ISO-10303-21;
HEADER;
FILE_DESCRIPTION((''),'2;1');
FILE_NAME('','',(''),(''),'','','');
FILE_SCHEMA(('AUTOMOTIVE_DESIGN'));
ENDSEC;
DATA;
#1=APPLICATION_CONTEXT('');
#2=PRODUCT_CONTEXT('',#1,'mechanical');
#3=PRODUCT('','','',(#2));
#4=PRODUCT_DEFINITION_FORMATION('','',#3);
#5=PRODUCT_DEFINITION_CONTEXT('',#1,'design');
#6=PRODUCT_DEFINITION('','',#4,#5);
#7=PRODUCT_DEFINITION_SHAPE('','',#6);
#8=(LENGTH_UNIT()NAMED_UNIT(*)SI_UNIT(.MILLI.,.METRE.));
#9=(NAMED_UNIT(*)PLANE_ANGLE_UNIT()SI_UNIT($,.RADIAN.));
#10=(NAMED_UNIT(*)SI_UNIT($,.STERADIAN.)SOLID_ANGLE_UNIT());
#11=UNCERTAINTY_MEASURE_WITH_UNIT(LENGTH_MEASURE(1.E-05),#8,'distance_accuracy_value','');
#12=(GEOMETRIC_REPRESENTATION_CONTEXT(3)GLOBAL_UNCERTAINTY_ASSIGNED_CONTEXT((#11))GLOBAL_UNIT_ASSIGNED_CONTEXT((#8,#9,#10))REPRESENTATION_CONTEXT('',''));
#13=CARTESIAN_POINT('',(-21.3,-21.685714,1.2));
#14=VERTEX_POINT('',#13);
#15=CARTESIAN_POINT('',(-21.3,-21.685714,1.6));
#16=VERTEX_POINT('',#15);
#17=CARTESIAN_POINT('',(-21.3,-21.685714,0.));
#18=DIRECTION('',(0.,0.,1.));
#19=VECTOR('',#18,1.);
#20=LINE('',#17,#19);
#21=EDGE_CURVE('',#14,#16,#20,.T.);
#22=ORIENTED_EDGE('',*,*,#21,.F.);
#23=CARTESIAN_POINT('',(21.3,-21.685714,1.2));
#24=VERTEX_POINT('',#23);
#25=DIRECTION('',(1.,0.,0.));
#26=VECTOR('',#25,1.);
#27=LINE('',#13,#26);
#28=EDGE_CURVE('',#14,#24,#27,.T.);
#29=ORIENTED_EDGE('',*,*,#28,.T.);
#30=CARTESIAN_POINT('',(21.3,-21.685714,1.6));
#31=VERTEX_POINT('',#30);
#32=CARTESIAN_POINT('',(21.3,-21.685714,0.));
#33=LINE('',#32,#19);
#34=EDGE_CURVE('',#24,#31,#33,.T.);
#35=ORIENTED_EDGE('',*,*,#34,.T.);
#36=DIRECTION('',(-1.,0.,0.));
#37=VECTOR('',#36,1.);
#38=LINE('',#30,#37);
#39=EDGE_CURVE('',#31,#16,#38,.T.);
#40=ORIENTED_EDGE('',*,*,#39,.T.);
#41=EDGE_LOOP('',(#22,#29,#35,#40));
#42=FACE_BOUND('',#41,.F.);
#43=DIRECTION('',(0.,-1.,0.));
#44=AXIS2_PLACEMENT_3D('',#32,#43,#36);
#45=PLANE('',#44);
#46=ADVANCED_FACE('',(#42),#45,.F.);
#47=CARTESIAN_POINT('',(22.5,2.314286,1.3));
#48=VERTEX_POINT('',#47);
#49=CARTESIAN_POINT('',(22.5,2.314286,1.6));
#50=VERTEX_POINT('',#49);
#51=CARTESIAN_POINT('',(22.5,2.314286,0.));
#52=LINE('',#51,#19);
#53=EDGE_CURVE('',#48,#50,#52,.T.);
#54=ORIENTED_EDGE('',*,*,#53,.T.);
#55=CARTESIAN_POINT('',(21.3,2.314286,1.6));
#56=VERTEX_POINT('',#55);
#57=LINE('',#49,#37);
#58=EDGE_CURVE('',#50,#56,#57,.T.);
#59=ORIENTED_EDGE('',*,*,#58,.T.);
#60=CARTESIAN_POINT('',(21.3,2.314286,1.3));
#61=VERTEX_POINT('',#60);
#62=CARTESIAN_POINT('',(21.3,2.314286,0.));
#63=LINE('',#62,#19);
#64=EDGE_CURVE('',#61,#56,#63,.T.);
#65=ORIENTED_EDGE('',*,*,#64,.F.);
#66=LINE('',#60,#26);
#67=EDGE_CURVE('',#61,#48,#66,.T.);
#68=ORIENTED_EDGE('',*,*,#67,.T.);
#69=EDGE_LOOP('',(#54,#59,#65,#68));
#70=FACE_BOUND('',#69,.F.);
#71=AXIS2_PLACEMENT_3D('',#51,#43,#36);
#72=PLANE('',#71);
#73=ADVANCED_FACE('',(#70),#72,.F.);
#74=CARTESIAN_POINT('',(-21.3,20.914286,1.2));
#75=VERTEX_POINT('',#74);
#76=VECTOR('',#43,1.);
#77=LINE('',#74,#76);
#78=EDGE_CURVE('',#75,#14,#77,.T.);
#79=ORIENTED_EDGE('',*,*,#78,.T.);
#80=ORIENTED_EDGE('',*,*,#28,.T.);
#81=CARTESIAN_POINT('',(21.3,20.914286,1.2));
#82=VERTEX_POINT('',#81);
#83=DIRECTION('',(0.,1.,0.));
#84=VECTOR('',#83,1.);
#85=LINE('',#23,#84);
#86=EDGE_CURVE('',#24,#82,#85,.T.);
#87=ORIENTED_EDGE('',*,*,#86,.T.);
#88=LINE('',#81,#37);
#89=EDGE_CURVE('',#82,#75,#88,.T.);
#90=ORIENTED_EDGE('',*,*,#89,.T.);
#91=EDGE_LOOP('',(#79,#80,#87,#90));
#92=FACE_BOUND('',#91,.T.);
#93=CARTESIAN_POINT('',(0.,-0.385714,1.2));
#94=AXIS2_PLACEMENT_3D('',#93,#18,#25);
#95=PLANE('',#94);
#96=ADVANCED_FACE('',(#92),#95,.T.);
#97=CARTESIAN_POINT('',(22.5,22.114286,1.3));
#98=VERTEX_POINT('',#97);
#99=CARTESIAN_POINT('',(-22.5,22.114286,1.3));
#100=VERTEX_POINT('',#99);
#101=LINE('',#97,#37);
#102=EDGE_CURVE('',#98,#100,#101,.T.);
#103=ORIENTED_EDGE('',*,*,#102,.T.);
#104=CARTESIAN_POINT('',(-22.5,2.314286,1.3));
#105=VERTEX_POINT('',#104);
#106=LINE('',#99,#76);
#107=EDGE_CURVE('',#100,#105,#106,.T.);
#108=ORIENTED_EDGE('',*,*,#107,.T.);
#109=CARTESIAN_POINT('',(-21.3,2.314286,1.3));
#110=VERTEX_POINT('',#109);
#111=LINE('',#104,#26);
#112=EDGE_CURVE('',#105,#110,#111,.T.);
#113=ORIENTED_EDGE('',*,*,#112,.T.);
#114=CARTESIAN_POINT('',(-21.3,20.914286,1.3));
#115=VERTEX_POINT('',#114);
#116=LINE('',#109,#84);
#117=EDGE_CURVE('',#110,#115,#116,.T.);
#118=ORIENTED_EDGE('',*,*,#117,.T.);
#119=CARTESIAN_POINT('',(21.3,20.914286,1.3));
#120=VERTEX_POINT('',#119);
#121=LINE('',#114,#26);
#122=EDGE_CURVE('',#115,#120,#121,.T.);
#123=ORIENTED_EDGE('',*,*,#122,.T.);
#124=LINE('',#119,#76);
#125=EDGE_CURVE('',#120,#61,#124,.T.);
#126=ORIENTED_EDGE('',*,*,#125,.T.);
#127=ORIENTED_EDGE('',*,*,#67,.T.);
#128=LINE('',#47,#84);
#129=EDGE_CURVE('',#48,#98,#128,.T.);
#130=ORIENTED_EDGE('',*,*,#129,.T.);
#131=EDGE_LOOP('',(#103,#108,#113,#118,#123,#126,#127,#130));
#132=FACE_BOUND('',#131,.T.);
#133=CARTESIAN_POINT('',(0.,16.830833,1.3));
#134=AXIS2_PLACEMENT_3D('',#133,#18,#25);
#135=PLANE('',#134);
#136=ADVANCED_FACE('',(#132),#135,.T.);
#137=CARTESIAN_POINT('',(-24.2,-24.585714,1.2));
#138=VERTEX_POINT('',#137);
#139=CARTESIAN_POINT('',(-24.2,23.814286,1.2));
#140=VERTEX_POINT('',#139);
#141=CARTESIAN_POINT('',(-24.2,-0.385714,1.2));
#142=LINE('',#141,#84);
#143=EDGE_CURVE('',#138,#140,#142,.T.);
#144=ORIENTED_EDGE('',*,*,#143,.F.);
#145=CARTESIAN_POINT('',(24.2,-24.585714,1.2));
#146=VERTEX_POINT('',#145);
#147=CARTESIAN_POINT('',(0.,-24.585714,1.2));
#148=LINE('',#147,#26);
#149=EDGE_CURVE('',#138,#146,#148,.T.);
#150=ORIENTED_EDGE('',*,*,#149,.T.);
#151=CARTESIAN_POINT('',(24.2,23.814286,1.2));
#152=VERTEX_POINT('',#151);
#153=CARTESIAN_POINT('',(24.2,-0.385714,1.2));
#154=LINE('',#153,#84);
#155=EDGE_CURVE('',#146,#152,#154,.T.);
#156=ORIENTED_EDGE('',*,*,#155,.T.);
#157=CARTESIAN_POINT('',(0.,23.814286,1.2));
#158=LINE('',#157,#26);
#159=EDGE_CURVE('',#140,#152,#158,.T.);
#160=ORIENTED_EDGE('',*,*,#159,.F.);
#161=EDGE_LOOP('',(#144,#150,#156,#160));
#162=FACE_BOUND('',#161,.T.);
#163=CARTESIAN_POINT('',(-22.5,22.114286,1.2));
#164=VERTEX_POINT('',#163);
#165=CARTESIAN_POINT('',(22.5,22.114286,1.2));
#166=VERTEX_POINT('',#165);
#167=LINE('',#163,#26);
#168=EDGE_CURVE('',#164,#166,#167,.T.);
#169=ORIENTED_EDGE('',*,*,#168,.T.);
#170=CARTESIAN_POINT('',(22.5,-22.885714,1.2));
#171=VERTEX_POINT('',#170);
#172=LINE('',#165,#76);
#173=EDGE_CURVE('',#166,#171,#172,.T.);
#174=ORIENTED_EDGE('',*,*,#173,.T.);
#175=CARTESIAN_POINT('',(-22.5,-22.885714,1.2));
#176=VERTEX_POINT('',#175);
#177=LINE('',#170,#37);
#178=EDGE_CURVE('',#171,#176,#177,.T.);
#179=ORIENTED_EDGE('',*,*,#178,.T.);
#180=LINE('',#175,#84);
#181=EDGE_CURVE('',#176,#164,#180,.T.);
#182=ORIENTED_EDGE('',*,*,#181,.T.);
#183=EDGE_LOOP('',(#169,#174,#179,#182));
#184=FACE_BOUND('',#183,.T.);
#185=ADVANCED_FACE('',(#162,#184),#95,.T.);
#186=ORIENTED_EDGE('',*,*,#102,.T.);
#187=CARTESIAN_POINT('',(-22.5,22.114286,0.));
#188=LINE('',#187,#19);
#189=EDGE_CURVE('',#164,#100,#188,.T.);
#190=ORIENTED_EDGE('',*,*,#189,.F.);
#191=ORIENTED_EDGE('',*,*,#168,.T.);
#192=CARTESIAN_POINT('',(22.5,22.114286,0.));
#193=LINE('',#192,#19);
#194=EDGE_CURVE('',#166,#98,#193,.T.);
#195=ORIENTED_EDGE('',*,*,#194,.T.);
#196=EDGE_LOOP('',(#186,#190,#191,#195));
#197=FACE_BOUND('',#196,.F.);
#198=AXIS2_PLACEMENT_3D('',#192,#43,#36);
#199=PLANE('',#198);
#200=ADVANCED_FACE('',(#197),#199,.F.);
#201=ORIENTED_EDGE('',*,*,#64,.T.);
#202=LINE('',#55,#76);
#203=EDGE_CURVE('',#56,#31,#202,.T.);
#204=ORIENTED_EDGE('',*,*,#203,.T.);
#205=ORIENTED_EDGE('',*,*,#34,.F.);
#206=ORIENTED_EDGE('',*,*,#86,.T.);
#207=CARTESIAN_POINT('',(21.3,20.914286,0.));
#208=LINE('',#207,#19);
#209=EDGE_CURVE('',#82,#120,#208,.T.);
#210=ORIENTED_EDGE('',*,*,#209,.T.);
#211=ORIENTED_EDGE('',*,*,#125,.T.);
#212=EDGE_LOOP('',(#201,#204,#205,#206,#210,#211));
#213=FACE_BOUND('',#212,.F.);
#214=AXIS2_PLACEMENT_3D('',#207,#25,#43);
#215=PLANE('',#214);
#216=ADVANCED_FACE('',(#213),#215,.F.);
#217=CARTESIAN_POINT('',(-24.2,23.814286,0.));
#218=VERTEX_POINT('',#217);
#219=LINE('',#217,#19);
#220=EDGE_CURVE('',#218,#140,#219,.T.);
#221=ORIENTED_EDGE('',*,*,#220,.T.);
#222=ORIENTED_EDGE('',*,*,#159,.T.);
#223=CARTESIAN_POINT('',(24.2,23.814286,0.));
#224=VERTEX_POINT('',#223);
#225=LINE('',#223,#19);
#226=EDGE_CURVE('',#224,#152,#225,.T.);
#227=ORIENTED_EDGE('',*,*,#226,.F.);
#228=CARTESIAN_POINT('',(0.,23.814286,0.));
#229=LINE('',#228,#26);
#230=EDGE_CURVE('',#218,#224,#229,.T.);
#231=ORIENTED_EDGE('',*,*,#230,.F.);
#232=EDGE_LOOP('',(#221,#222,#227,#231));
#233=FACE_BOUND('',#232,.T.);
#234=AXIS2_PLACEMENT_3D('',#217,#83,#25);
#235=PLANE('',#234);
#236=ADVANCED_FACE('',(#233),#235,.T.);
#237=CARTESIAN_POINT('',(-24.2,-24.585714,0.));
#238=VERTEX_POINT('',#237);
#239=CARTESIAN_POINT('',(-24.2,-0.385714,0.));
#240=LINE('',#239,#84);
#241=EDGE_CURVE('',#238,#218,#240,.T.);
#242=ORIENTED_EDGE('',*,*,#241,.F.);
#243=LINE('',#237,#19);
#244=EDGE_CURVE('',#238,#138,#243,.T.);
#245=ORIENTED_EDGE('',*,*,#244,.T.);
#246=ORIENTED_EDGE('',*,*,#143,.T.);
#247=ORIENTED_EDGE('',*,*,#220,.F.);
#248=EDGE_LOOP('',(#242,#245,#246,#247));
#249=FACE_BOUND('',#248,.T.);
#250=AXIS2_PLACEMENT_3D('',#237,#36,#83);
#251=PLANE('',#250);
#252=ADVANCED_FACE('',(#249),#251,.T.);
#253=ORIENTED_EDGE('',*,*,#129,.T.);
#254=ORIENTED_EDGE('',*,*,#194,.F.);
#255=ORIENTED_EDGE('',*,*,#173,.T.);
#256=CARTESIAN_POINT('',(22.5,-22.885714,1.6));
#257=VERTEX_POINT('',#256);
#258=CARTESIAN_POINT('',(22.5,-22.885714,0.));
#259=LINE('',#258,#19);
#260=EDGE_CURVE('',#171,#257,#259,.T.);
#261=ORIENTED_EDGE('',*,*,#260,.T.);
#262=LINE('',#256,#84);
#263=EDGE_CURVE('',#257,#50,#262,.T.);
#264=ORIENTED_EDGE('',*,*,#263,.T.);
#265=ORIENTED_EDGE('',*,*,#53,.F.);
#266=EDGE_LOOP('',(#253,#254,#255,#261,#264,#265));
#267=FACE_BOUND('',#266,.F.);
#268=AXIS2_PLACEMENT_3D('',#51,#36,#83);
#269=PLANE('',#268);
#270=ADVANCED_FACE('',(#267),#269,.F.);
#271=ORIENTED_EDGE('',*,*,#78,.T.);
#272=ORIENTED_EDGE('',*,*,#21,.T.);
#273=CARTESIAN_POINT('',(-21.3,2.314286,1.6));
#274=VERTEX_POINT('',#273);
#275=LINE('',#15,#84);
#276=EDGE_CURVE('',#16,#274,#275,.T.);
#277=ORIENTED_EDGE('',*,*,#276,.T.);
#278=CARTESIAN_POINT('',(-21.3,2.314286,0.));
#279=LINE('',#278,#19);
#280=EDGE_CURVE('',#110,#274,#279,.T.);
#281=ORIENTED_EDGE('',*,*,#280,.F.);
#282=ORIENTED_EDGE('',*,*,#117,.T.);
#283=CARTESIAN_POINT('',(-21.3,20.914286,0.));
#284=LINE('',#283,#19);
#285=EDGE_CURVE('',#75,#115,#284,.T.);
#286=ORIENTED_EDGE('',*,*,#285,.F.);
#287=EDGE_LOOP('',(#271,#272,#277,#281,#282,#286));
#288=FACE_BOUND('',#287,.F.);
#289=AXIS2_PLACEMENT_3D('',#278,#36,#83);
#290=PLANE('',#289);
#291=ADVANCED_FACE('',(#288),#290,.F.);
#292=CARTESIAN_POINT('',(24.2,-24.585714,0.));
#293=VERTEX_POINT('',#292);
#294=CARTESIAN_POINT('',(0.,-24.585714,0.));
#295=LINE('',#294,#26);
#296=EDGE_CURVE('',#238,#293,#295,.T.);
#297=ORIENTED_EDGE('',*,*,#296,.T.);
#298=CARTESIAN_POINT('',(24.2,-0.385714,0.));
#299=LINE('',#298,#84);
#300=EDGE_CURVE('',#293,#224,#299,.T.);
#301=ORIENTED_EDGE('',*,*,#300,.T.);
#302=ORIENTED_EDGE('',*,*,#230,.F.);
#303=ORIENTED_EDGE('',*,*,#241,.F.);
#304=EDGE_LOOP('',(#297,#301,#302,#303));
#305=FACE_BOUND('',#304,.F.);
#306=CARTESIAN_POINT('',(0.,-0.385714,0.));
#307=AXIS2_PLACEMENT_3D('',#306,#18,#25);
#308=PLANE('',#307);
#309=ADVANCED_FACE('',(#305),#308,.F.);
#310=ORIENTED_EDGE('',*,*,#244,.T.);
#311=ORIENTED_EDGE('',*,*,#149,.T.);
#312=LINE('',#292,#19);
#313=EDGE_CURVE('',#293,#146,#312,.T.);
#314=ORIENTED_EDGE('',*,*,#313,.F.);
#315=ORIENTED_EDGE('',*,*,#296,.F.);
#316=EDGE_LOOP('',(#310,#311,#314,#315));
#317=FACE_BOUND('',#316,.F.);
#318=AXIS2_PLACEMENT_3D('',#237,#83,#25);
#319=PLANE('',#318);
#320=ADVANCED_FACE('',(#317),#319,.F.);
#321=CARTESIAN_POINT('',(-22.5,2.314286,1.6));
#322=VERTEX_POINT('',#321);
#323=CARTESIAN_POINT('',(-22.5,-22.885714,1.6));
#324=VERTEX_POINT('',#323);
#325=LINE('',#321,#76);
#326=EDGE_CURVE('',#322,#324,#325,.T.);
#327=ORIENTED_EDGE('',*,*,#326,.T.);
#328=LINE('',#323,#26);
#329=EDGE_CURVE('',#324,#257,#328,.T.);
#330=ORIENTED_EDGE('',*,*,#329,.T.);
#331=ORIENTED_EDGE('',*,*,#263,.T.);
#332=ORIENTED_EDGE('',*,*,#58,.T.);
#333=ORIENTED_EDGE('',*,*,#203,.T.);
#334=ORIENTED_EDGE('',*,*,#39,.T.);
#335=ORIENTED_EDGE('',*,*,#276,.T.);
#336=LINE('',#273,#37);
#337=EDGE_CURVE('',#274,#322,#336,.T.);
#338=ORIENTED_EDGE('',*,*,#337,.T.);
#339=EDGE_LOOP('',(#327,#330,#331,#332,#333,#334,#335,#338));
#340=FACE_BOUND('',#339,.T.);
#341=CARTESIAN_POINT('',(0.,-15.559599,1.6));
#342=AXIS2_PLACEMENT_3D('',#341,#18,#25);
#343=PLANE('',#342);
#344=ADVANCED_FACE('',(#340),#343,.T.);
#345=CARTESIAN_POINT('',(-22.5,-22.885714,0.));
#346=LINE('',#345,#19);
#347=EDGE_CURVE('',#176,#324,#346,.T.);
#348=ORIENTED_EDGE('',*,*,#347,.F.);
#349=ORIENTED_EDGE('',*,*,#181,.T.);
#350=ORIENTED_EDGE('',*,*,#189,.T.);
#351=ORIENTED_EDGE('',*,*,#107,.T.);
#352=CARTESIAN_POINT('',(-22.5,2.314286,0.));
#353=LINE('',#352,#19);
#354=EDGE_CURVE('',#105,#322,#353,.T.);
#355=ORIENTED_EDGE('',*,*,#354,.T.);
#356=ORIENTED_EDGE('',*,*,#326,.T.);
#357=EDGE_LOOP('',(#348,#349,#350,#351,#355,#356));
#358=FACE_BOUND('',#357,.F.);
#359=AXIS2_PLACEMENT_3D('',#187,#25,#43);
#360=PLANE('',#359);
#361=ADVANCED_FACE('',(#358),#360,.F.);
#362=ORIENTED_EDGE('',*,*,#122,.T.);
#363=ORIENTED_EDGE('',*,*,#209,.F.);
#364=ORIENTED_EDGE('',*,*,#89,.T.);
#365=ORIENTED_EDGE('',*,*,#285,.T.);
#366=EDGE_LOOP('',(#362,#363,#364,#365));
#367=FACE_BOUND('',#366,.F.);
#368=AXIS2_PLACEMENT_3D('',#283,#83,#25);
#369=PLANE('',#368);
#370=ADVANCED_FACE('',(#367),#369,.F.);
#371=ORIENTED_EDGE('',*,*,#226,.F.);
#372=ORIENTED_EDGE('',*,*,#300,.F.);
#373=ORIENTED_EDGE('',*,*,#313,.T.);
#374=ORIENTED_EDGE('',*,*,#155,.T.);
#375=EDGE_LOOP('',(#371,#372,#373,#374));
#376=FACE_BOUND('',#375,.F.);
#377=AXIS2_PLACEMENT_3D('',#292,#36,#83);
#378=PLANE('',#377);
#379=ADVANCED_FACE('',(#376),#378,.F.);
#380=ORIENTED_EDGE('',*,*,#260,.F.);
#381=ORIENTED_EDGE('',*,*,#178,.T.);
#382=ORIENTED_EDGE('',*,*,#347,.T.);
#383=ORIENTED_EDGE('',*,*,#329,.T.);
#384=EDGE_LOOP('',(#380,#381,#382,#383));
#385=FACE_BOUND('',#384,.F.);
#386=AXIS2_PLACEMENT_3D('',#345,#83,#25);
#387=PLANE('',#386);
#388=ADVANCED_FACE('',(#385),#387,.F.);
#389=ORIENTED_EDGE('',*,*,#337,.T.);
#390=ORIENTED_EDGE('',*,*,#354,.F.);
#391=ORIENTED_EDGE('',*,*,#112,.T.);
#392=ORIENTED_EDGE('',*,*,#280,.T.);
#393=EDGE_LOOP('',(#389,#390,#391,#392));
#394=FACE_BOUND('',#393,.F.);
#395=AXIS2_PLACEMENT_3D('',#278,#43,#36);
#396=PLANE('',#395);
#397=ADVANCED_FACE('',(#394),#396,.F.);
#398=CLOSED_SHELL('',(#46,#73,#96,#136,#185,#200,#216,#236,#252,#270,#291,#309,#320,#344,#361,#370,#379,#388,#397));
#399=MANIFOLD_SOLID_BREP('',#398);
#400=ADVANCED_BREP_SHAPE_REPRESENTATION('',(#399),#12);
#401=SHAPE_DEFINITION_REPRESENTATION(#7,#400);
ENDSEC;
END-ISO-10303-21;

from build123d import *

# Parameters (mm, degrees)
F3_DEPTH = 1.6
F4_DEPTH = 1.3
F2_W     = 48.4
F2_H     = 48.4
F5_DEPTH = 1.2


with BuildPart() as f3:
    # F0 (on Top) → F3 (new body)
    with BuildSketch(Plane.XY):
        Polygon((-21.3, 2.314286), (-22.5, 2.314286), (-22.5, -22.885714), (22.5, -22.885714), (22.5, 2.314286), (21.3, 2.314286), (21.3, -21.685714), (-21.3, -21.685714), align=None)
    extrude(amount=F3_DEPTH)

    # F1 (on Top) → F4 (join)
    with BuildSketch(Plane.XY):
        Polygon((22.5, 22.114286), (-22.5, 22.114286), (-22.5, 2.314286), (-21.3, 2.314286), (-21.3, 20.914286), (21.3, 20.914286), (21.3, 2.314286), (22.5, 2.314286), align=None)
    extrude(amount=F4_DEPTH)

    # F2 (on Top) → F5 (join)
    with BuildSketch(Plane.XY):
        with Locations((0, -0.385714)):
            Rectangle(F2_W, F2_H)
        Polygon((-22.5, 2.314286), (-22.5, 22.114286), (22.5, 22.114286), (22.5, 2.314286), (22.5, -22.885714), (-22.5, -22.885714), align=None, mode=Mode.SUBTRACT)
        Polygon((-21.3, 20.914286), (-21.3, 2.314286), (-21.3, -21.685714), (21.3, -21.685714), (21.3, 2.314286), (21.3, 20.914286), align=None)
    extrude(amount=F5_DEPTH)


solid = f3.part
